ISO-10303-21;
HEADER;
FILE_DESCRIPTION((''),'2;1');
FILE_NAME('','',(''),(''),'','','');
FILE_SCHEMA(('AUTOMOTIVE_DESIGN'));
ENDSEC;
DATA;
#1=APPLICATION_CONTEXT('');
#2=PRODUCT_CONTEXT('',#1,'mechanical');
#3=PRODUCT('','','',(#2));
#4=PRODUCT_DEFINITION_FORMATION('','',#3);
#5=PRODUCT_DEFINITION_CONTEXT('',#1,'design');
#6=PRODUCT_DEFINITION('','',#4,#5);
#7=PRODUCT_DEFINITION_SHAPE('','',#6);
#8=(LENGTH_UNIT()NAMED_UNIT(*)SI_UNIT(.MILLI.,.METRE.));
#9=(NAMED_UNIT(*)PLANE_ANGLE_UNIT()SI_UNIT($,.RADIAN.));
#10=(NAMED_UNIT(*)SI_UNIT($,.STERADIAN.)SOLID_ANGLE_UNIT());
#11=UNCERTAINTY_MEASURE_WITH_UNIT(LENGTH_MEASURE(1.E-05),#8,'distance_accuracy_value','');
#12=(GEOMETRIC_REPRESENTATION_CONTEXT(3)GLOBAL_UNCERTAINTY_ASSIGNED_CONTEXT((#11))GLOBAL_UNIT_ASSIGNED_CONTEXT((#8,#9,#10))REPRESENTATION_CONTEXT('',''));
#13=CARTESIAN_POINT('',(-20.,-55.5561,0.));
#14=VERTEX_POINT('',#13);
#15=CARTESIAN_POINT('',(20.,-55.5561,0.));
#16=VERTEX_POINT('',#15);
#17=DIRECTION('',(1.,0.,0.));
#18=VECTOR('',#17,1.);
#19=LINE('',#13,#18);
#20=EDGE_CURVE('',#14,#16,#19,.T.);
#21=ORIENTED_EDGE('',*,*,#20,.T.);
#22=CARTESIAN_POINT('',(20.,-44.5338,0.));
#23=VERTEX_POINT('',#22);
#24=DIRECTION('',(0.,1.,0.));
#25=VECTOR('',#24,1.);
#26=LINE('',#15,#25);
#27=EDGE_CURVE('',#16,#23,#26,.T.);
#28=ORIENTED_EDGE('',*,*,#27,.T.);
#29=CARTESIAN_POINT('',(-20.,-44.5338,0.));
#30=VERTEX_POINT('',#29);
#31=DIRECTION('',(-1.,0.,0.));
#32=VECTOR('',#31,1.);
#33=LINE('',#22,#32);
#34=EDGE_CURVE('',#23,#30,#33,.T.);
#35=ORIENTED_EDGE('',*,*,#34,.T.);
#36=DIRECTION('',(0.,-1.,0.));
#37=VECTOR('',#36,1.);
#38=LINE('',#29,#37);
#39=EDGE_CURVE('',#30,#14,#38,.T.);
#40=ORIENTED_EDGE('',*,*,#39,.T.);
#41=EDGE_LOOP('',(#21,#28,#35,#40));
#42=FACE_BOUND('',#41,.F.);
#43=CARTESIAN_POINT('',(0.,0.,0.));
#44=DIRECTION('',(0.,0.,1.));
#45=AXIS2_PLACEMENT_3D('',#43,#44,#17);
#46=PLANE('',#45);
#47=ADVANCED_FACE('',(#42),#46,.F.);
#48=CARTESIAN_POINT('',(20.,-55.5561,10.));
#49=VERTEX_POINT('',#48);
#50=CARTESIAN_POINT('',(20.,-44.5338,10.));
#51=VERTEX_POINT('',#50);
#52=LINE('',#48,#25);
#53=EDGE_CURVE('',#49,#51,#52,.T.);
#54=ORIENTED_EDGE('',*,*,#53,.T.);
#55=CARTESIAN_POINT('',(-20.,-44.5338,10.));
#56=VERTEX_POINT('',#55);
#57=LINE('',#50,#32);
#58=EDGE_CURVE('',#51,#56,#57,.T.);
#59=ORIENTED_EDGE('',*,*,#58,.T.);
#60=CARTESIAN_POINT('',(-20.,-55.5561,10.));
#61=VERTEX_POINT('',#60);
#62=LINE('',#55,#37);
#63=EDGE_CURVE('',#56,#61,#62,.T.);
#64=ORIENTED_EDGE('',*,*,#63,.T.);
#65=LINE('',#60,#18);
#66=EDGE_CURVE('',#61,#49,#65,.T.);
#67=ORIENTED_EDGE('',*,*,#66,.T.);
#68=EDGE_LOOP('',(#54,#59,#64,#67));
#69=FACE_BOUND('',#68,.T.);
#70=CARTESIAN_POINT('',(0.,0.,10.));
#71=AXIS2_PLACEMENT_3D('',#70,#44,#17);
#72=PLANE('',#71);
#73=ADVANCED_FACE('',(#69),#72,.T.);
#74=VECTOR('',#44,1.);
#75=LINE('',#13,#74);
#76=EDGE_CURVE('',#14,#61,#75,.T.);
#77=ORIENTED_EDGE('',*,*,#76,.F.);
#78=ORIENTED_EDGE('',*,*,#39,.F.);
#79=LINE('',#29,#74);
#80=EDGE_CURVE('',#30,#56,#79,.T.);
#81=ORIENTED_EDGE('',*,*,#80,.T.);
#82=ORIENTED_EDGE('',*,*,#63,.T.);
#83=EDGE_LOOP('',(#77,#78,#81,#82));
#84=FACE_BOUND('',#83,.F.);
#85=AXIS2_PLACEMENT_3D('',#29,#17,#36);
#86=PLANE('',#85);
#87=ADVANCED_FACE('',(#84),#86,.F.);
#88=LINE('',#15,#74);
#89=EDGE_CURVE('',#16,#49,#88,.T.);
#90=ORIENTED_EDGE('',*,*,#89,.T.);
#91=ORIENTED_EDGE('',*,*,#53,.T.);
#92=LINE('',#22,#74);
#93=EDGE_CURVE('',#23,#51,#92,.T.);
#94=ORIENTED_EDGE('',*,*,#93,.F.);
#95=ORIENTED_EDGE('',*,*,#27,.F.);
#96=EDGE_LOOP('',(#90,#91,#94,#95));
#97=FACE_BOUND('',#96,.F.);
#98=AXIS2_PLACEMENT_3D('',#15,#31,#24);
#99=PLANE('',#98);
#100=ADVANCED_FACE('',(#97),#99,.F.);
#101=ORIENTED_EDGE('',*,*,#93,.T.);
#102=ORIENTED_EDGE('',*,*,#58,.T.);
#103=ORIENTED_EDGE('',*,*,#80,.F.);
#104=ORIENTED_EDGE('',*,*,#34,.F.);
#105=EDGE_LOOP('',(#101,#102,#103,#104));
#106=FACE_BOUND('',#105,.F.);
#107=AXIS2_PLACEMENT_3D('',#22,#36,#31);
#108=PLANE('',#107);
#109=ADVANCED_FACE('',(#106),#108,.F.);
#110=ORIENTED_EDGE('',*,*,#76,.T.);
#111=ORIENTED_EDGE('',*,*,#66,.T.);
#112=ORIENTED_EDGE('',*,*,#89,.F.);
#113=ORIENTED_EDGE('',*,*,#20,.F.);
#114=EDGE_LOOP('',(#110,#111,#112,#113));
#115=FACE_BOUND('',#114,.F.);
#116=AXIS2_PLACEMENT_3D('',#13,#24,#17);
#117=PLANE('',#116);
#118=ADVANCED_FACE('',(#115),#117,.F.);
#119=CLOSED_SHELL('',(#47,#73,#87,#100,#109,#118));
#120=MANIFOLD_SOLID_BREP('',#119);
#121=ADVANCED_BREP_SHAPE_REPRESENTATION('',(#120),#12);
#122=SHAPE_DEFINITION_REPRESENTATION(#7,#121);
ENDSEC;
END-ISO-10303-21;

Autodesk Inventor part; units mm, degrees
ref_plane "YZ Plane" through (0, 0, 0) normal (1, 0, 0) x (0, 1, 0)
ref_plane "XZ Plane" through (0, 0, 0) normal (0, 1, 0) x (-1, 0, 0)
ref_plane "XY Plane" through (0, 0, 0) normal (0, 0, 1) x (1, 0, 0)
ref_plane "Work Plane1" through (0, 0, 0) normal (0, 0, 1) x (1, 0, 0)
sketch "Sketch1" plane through (0, 0, 0) normal (0, 0, 1) x (1, 0, 0)
  arc A0 (43.4971, -55) -> (96.8589, 55) centre (0, 34.0439) ccw construction
  line L0 (96.8589, 55) -> (91.8589, 55) construction
  arc A1 (51.9882, -44.5338) -> (91.8589, 55) centre (0, 34.0439) ccw construction
  line L1 (51.9882, -44.5338) -> (-51.9882, -44.5338) construction
  arc A2 (-91.8589, 55) -> (-51.9882, -44.5338) centre (0, 34.0439) ccw construction
  line L2 (-91.8589, 55) -> (-96.8589, 55) construction
  arc A3 (-96.8589, 55) -> (-43.4971, -55) centre (0, 34.0439) ccw construction
  line L3 (-43.4971, -55) -> (43.4971, -55) construction
  circle A4 centre (0, 34.0439) radius 107.6 construction
  arc A5 (43.4971, -55.5561) -> (-43.4971, -55.5561) centre (0, 34.0439) ccw construction
  line L4 (-43.4971, -55.5561) -> (43.4971, -55.5561) construction
  line L5 (-20, -55.5561) -> (20, -55.5561)
  line L6 (20, -55.5561) -> (20, -44.5338)
  line L7 (20, -44.5338) -> (-20, -44.5338)
  line L8 (-20, -44.5338) -> (-20, -55.5561)
  line L9 (20, -44.5338) -> (-20, -55.5561) construction
  line L10 (-20, -44.5338) -> (20, -55.5561) construction
  point P0 (0, 0)
  point P1 (0, -50.045)
  dimension "d0" = 40
extrude "Extrusion1" add sketch "Sketch1" along normal blind 10
properties part number "FrontBumper_3DPrint"
